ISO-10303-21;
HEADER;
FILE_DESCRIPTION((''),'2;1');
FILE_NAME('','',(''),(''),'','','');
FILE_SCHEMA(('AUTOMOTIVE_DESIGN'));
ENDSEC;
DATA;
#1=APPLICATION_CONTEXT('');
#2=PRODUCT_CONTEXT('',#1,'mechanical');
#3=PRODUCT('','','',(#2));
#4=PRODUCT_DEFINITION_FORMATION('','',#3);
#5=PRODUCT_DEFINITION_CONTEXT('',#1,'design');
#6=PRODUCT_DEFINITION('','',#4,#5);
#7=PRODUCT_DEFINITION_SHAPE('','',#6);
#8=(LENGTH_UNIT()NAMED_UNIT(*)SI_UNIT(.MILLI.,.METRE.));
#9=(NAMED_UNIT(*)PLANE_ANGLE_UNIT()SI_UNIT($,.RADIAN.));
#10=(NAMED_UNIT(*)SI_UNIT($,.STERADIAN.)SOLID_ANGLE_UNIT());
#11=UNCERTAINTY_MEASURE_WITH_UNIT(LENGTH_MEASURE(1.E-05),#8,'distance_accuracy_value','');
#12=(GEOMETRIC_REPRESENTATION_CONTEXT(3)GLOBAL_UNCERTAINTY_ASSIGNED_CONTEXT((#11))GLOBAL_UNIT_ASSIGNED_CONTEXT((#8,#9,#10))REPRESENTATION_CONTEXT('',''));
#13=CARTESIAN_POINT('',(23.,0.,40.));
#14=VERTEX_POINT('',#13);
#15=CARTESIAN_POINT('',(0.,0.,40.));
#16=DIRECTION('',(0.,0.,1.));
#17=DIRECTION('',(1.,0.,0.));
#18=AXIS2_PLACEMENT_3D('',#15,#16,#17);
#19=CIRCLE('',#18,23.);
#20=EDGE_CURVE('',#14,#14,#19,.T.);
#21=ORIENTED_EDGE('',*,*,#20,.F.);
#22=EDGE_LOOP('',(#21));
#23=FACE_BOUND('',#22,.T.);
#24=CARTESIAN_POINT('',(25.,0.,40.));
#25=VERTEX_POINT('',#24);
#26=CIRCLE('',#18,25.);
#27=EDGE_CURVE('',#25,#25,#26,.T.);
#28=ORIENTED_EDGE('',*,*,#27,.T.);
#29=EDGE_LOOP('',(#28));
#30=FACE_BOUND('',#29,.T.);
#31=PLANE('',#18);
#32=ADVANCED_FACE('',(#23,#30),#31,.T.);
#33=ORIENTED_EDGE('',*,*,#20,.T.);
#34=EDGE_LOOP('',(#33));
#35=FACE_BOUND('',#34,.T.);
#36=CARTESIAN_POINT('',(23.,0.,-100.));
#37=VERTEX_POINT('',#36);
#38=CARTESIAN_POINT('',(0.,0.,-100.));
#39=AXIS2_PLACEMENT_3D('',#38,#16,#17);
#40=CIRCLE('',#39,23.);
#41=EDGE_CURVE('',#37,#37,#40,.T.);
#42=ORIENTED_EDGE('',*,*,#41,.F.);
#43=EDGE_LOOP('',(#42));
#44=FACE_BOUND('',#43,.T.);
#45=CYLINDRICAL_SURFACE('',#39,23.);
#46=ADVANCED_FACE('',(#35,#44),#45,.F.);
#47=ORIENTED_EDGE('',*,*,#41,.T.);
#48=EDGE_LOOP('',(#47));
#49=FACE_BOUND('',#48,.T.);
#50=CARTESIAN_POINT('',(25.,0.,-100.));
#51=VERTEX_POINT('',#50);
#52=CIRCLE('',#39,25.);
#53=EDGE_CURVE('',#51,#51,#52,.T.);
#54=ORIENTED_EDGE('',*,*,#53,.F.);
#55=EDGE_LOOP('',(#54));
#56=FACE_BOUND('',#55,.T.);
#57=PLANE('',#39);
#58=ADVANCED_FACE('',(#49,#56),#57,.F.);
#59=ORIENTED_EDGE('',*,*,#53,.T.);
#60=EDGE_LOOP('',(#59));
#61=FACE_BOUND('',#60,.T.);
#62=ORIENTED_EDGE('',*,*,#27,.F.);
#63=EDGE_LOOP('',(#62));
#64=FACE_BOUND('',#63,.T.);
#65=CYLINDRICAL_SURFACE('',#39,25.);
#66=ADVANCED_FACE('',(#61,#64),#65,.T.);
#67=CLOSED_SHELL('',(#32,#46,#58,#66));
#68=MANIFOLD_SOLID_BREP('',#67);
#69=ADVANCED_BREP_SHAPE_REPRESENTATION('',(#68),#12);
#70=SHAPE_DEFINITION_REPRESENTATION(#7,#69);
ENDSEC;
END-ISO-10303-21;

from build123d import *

# Parameters (mm, degrees)
BOSS_EXTRUDE1_DEPTH      = 40
BOSS_EXTRUDE1_DEPTH_BACK = 100
SKETCH1_R                = 25
SKETCH1_R_2              = 23


with BuildPart() as part:
    # Sketch1 → Boss-Extrude1 (new, two sides: drawn at the far end of the back side and taken through both)
    with BuildSketch(Plane.XY.offset(-BOSS_EXTRUDE1_DEPTH_BACK)):
        Circle(SKETCH1_R)
        Circle(SKETCH1_R_2, mode=Mode.SUBTRACT)
    extrude(amount=BOSS_EXTRUDE1_DEPTH + BOSS_EXTRUDE1_DEPTH_BACK)


solid = part.part
